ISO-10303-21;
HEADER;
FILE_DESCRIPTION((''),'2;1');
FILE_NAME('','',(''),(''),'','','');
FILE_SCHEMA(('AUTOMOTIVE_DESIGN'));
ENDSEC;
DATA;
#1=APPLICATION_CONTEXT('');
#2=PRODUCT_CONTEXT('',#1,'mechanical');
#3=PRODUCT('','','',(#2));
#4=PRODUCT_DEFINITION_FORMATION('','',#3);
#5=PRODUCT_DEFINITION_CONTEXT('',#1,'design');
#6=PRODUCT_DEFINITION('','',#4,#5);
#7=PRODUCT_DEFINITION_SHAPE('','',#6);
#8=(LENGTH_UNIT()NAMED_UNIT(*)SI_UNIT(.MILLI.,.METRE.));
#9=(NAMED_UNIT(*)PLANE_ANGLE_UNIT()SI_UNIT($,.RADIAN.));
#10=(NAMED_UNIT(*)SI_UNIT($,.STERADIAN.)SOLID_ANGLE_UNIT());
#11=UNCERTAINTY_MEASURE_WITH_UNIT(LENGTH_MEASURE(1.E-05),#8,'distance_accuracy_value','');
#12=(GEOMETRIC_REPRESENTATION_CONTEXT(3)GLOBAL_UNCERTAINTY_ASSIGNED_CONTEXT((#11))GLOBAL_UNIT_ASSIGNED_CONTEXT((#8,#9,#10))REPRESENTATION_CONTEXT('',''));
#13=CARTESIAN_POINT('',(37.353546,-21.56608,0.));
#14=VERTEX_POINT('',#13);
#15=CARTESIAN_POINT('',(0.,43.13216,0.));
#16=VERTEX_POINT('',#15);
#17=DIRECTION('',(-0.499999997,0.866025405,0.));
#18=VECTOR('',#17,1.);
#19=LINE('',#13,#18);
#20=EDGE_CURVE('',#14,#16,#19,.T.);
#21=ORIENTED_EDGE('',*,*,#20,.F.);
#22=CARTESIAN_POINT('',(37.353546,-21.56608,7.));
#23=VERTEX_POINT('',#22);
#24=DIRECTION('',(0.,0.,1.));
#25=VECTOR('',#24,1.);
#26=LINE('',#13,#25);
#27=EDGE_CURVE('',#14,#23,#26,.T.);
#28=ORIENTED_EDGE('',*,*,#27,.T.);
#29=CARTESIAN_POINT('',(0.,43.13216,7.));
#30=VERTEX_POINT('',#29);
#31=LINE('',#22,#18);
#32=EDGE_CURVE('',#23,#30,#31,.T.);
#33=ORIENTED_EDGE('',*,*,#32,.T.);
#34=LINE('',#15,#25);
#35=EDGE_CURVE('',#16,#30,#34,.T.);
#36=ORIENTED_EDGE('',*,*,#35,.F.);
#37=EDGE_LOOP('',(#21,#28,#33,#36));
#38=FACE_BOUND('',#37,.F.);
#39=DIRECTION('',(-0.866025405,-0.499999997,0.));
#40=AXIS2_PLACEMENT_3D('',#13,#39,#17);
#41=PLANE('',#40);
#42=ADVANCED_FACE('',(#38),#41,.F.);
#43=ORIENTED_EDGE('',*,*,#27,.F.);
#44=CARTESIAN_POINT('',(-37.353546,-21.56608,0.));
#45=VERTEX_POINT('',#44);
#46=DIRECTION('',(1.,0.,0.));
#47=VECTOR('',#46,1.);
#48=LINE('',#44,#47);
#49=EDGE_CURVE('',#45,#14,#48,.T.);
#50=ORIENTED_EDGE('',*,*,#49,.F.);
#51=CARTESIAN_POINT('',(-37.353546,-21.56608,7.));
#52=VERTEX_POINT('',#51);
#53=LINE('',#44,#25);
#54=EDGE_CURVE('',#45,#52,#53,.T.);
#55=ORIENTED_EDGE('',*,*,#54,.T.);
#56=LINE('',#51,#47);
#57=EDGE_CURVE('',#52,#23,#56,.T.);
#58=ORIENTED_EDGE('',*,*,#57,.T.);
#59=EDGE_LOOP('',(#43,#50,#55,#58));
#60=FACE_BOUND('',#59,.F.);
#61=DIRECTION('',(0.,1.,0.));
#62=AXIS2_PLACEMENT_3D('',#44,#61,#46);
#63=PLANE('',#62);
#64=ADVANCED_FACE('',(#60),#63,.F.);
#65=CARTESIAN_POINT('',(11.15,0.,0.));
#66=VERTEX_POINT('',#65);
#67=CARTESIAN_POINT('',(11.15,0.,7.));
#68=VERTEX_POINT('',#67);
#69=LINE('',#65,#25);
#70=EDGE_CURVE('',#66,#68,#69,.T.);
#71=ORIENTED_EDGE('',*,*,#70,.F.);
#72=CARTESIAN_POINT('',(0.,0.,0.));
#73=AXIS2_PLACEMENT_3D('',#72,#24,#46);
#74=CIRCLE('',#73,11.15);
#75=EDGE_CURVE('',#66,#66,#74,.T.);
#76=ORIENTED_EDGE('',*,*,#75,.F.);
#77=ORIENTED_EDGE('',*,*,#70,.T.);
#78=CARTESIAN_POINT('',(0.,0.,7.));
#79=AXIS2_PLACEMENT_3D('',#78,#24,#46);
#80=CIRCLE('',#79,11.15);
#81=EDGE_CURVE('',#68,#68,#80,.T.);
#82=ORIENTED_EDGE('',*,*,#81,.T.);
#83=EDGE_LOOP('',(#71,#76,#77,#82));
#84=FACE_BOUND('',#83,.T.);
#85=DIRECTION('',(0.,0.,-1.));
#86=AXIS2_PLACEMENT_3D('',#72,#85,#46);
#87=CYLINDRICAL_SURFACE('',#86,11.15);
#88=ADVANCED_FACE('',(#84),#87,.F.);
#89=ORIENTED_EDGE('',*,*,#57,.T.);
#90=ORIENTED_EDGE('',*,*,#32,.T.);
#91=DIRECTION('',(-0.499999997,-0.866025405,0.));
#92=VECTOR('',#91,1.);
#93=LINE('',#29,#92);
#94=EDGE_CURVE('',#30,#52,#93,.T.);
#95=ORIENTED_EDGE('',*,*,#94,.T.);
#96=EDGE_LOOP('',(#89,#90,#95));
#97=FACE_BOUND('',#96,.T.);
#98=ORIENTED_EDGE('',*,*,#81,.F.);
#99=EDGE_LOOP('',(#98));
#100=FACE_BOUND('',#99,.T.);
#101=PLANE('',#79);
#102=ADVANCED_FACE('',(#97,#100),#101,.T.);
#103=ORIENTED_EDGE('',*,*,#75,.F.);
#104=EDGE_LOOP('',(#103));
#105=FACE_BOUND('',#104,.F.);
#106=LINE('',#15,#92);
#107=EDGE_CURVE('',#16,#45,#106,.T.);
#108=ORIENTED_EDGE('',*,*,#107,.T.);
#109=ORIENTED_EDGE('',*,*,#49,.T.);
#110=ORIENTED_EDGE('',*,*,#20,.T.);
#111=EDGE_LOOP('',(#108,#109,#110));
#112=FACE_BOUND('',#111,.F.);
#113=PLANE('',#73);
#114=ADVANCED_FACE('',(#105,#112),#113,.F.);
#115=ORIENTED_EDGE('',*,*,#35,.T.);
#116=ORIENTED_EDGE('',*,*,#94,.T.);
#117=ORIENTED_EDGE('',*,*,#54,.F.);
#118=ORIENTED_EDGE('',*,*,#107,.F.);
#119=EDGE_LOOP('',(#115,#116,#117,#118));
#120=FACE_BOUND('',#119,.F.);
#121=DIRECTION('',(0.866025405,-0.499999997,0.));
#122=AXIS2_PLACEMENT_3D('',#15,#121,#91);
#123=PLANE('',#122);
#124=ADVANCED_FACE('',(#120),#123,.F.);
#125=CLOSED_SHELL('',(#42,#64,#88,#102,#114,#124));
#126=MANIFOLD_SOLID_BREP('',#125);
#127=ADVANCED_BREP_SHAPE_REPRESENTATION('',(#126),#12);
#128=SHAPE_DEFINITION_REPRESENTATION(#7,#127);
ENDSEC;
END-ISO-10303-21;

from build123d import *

# Parameters (mm, degrees)
F0_R     = 11.15
F1_DEPTH = 7


with BuildPart() as f1:
    # F0 (on Top) → F1 (new body)
    with BuildSketch(Plane.XY):
        Polygon((-37.353546, -21.56608), (37.353546, -21.56608), (0, 43.13216), align=None)
        Circle(F0_R, mode=Mode.SUBTRACT)
    extrude(amount=F1_DEPTH)


solid = f1.part
